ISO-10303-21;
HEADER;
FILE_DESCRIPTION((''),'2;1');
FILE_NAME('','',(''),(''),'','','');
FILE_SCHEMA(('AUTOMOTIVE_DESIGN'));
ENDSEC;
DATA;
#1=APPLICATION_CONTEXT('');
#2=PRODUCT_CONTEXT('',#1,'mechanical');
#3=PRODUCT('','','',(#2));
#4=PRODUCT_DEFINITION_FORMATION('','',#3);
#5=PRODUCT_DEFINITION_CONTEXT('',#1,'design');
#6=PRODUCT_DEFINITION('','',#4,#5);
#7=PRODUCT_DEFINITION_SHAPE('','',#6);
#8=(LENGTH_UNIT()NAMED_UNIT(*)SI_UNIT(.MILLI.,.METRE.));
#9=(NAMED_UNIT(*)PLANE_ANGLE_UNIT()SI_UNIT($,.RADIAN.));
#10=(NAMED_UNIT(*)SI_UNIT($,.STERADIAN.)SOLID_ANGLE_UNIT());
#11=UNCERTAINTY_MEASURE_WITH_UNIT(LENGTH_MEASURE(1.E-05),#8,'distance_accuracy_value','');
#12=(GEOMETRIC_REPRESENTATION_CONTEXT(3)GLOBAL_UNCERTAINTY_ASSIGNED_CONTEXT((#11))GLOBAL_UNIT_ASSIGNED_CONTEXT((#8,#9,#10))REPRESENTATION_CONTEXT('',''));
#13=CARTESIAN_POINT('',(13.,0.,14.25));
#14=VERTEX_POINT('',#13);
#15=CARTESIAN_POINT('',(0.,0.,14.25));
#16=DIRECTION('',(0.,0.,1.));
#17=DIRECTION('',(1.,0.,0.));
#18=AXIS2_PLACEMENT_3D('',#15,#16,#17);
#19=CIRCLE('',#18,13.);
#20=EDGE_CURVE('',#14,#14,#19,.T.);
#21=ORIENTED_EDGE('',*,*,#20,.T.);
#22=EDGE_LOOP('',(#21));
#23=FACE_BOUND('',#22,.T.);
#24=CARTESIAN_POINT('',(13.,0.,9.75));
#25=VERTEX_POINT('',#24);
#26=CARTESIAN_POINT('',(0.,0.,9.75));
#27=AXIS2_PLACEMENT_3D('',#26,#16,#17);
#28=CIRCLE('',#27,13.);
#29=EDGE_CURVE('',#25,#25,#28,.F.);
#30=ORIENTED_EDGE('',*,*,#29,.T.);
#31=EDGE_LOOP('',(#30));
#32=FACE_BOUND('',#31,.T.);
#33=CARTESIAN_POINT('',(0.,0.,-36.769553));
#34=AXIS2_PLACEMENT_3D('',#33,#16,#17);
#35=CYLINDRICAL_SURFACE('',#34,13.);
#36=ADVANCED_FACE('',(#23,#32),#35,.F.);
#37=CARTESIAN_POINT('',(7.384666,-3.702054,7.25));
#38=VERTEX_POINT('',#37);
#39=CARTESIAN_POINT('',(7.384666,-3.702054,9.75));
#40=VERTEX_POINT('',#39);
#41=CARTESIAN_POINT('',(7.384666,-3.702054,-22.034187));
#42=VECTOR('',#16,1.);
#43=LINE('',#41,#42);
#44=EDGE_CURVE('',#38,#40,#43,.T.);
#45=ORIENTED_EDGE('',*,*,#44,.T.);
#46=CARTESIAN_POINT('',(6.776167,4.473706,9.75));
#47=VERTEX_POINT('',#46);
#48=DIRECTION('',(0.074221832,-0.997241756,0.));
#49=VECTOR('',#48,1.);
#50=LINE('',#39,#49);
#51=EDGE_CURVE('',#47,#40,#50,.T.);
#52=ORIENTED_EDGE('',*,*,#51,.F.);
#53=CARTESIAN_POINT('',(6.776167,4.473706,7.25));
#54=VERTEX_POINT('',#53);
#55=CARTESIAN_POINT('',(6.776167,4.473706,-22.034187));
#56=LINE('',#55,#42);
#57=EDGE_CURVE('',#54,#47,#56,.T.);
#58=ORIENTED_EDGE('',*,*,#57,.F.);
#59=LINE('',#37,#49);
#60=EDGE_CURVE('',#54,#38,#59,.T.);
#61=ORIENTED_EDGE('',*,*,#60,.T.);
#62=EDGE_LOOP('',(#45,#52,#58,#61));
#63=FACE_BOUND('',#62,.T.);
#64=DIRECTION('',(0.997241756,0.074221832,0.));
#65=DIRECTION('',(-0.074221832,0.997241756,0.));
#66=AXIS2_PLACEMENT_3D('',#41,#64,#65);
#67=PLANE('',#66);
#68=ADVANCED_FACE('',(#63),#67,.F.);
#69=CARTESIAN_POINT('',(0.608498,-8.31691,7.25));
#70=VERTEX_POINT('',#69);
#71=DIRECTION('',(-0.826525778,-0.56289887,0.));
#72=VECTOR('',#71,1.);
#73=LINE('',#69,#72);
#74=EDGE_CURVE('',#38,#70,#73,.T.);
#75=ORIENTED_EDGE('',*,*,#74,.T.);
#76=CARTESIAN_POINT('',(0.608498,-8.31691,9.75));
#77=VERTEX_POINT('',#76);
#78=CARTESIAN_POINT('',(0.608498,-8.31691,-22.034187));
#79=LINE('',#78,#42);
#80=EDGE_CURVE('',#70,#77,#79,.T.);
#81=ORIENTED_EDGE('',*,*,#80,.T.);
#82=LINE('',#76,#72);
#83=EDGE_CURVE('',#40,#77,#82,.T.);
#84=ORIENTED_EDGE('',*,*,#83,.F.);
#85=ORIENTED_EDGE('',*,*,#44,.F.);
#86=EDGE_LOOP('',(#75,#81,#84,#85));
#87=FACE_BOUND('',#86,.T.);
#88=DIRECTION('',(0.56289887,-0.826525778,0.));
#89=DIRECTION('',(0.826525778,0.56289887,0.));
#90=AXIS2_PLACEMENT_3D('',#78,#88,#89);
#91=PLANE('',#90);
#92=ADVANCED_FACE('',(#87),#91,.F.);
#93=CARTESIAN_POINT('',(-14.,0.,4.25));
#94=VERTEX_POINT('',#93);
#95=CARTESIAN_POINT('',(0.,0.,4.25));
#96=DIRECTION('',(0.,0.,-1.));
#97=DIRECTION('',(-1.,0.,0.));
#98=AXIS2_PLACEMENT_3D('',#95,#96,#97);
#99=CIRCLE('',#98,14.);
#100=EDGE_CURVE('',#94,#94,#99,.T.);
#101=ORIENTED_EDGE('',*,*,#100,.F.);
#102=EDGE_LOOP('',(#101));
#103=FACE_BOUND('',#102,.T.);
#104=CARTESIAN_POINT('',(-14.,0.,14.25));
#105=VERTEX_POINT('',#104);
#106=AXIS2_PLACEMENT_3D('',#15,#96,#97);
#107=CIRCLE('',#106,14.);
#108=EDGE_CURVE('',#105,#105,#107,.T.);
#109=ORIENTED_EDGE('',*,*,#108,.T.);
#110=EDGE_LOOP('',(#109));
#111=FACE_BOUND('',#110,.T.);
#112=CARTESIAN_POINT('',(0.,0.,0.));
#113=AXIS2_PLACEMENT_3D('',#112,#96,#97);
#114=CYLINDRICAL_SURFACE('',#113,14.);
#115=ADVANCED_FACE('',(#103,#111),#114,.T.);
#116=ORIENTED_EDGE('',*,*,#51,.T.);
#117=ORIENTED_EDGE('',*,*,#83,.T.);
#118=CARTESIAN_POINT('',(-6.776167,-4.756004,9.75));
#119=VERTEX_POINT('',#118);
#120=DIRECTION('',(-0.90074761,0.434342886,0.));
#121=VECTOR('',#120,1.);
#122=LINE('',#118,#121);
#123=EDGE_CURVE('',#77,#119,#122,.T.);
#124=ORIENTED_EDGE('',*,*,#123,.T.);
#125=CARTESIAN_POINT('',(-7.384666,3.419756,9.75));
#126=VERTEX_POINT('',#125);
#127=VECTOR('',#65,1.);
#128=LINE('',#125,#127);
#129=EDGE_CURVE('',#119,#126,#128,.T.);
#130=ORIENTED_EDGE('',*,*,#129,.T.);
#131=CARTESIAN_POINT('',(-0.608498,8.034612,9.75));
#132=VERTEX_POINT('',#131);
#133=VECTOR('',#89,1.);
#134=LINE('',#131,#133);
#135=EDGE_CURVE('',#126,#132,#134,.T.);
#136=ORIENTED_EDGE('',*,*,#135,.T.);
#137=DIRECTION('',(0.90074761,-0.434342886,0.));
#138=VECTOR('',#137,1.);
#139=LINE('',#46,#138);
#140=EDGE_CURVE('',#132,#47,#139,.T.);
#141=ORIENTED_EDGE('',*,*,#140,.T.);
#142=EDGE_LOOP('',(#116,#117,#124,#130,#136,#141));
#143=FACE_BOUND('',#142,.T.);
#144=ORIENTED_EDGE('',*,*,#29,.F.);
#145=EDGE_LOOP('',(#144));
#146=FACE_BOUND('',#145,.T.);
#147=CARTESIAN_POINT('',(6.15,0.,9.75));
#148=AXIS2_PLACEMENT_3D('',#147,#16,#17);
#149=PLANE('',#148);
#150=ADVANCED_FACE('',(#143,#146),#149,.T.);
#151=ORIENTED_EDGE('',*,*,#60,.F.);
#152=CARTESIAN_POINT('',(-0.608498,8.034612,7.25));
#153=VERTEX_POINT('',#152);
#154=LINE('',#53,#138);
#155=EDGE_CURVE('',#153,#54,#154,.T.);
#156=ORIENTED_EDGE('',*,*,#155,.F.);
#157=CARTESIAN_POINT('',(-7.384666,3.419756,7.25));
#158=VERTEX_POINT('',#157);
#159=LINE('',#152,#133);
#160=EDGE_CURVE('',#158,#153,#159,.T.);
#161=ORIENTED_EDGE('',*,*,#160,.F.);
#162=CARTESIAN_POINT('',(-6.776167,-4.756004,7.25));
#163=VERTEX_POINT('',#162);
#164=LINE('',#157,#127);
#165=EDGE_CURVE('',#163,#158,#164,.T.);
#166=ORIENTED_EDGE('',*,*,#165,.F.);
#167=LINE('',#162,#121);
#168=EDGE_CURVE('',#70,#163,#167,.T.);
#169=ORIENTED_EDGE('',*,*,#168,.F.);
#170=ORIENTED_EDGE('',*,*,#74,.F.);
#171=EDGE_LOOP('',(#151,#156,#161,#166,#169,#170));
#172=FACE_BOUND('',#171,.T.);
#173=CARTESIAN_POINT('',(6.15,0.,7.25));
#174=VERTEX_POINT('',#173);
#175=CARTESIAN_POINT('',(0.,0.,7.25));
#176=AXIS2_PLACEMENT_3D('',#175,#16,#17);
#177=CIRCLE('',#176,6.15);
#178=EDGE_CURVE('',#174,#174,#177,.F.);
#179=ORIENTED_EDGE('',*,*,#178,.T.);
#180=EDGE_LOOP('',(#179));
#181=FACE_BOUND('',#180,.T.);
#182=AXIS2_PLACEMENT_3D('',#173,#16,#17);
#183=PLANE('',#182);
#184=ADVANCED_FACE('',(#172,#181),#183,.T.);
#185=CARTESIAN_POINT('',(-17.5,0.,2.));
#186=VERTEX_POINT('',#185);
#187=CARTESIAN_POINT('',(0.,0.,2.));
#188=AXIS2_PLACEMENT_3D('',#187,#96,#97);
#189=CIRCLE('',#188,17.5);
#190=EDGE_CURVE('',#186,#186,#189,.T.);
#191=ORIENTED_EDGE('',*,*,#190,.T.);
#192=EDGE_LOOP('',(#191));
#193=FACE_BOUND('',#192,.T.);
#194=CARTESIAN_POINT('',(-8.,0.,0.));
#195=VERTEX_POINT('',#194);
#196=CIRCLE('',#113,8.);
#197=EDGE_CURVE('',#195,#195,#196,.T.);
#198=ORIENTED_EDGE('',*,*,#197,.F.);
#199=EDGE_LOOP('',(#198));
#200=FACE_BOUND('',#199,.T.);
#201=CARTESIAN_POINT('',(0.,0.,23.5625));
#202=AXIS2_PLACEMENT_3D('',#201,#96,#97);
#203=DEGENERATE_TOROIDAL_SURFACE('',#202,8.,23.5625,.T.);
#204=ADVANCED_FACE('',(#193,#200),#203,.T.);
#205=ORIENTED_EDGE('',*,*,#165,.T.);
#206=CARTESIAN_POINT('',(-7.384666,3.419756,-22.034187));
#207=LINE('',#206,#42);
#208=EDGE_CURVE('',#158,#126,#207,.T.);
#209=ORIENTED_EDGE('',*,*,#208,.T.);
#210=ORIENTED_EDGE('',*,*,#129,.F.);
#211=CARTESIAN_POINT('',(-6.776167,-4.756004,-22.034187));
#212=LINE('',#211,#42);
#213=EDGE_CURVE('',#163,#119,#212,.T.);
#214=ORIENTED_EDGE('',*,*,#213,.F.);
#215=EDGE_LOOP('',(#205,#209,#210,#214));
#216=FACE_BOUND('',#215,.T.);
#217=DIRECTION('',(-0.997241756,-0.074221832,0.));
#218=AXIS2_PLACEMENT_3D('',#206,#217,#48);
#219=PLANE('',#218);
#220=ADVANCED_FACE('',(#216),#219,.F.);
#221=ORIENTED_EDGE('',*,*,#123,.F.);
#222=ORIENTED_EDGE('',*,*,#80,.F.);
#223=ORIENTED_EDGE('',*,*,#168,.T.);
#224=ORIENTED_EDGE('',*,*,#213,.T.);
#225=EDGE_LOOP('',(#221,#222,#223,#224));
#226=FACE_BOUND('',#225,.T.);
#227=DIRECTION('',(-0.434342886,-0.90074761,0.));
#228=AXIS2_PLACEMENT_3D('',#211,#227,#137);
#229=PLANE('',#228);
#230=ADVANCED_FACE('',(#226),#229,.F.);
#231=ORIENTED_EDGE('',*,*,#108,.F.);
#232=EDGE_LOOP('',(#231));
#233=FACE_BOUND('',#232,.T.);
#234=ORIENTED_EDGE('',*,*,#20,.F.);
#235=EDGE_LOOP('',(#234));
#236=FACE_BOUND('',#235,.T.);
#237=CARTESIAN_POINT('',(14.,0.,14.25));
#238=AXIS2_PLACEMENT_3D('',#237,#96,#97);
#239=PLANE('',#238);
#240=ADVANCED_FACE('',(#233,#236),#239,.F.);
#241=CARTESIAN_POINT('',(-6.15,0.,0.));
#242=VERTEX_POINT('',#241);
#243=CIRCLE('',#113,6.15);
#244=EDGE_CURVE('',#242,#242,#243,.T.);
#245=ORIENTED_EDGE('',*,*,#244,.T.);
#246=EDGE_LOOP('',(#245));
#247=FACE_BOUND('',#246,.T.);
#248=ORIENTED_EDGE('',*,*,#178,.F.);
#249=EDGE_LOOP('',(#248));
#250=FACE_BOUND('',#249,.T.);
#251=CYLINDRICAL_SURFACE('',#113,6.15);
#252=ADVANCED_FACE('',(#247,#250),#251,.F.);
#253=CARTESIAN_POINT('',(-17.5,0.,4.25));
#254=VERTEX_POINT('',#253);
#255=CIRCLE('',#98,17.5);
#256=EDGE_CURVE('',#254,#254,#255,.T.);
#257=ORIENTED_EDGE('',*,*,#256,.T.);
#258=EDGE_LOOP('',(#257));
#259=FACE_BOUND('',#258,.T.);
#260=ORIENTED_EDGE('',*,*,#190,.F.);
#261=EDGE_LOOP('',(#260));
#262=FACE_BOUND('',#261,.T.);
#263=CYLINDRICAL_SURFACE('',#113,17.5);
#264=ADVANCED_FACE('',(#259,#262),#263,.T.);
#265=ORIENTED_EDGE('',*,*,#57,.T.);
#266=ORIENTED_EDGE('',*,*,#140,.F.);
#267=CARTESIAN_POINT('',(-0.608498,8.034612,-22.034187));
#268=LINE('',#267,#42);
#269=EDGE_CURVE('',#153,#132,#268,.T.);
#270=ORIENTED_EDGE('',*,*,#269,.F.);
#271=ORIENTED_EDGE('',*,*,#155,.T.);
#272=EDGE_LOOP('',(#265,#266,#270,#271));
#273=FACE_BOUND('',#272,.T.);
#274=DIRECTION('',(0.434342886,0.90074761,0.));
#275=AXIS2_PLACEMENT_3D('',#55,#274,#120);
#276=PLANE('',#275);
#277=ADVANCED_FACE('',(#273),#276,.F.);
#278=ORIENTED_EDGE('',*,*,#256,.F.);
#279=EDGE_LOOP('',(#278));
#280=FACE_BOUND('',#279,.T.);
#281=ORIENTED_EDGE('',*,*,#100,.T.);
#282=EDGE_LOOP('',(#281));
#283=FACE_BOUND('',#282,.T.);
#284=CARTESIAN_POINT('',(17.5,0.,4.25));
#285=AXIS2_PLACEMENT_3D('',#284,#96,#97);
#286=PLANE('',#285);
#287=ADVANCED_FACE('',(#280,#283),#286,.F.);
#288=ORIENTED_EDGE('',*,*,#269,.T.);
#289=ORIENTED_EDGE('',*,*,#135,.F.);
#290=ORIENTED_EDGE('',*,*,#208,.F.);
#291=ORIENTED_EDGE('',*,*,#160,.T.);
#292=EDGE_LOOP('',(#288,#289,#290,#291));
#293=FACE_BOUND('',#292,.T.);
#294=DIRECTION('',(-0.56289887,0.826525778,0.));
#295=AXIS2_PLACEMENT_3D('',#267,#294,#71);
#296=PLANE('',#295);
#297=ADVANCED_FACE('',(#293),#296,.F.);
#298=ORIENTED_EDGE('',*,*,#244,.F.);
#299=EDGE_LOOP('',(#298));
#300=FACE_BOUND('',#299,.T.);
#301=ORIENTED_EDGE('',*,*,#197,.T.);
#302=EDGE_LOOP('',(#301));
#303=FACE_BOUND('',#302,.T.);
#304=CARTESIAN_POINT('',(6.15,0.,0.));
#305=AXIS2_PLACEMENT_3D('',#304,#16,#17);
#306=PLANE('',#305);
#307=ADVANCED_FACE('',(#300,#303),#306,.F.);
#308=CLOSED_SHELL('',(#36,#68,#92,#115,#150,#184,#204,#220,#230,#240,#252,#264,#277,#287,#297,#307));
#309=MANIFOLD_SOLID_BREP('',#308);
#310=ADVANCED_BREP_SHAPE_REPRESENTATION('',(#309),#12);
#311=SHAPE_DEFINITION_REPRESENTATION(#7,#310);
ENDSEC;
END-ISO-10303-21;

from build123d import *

# Parameters (mm, degrees)
CUT_EXTRUDE2_DEPTH = 7
SKETCH2_R          = 13
CUT_EXTRUDE1_DEPTH = 4.5


with BuildPart() as part:
    # Sketch1 → Revolve1 (revolve)
    with BuildSketch(Plane(origin=(0, 0, 0), x_dir=(1, 0, 0), z_dir=(0, 1, 0))):
        with BuildLine():
            Line((6.15, -14.25), (6.15, 0))
            Line((6.15, 0), (8, 0))
            ThreePointArc((8, 0), (12.85412196, -0.505420691), (17.5, -2))
            Line((17.5, -2), (17.5, -4.25))
            Line((17.5, -4.25), (14, -4.25))
            Line((14, -4.25), (14, -14.25))
            Line((14, -14.25), (6.15, -14.25))
        make_face()
    revolve(axis=Axis((0, 0, 0), (0, 0, 1)))

    # Sketch3 → Cut-Extrude2 (cut)
    with BuildSketch(Plane.XY.offset(14.25)):
        Polygon((0.608498328, -8.31690962), (7.38466563, -3.702054257), (6.776167302, 4.473706449), (-0.608498328, 8.034611791), (-7.38466563, 3.419756428), (-6.776167302, -4.756004278), align=None)
    extrude(amount=-CUT_EXTRUDE2_DEPTH, mode=Mode.SUBTRACT)

    # Sketch2 → Cut-Extrude1 (cut)
    with BuildSketch(Plane.XY.offset(14.25)):
        Circle(SKETCH2_R)
    extrude(amount=-CUT_EXTRUDE1_DEPTH, mode=Mode.SUBTRACT)


solid = part.part
